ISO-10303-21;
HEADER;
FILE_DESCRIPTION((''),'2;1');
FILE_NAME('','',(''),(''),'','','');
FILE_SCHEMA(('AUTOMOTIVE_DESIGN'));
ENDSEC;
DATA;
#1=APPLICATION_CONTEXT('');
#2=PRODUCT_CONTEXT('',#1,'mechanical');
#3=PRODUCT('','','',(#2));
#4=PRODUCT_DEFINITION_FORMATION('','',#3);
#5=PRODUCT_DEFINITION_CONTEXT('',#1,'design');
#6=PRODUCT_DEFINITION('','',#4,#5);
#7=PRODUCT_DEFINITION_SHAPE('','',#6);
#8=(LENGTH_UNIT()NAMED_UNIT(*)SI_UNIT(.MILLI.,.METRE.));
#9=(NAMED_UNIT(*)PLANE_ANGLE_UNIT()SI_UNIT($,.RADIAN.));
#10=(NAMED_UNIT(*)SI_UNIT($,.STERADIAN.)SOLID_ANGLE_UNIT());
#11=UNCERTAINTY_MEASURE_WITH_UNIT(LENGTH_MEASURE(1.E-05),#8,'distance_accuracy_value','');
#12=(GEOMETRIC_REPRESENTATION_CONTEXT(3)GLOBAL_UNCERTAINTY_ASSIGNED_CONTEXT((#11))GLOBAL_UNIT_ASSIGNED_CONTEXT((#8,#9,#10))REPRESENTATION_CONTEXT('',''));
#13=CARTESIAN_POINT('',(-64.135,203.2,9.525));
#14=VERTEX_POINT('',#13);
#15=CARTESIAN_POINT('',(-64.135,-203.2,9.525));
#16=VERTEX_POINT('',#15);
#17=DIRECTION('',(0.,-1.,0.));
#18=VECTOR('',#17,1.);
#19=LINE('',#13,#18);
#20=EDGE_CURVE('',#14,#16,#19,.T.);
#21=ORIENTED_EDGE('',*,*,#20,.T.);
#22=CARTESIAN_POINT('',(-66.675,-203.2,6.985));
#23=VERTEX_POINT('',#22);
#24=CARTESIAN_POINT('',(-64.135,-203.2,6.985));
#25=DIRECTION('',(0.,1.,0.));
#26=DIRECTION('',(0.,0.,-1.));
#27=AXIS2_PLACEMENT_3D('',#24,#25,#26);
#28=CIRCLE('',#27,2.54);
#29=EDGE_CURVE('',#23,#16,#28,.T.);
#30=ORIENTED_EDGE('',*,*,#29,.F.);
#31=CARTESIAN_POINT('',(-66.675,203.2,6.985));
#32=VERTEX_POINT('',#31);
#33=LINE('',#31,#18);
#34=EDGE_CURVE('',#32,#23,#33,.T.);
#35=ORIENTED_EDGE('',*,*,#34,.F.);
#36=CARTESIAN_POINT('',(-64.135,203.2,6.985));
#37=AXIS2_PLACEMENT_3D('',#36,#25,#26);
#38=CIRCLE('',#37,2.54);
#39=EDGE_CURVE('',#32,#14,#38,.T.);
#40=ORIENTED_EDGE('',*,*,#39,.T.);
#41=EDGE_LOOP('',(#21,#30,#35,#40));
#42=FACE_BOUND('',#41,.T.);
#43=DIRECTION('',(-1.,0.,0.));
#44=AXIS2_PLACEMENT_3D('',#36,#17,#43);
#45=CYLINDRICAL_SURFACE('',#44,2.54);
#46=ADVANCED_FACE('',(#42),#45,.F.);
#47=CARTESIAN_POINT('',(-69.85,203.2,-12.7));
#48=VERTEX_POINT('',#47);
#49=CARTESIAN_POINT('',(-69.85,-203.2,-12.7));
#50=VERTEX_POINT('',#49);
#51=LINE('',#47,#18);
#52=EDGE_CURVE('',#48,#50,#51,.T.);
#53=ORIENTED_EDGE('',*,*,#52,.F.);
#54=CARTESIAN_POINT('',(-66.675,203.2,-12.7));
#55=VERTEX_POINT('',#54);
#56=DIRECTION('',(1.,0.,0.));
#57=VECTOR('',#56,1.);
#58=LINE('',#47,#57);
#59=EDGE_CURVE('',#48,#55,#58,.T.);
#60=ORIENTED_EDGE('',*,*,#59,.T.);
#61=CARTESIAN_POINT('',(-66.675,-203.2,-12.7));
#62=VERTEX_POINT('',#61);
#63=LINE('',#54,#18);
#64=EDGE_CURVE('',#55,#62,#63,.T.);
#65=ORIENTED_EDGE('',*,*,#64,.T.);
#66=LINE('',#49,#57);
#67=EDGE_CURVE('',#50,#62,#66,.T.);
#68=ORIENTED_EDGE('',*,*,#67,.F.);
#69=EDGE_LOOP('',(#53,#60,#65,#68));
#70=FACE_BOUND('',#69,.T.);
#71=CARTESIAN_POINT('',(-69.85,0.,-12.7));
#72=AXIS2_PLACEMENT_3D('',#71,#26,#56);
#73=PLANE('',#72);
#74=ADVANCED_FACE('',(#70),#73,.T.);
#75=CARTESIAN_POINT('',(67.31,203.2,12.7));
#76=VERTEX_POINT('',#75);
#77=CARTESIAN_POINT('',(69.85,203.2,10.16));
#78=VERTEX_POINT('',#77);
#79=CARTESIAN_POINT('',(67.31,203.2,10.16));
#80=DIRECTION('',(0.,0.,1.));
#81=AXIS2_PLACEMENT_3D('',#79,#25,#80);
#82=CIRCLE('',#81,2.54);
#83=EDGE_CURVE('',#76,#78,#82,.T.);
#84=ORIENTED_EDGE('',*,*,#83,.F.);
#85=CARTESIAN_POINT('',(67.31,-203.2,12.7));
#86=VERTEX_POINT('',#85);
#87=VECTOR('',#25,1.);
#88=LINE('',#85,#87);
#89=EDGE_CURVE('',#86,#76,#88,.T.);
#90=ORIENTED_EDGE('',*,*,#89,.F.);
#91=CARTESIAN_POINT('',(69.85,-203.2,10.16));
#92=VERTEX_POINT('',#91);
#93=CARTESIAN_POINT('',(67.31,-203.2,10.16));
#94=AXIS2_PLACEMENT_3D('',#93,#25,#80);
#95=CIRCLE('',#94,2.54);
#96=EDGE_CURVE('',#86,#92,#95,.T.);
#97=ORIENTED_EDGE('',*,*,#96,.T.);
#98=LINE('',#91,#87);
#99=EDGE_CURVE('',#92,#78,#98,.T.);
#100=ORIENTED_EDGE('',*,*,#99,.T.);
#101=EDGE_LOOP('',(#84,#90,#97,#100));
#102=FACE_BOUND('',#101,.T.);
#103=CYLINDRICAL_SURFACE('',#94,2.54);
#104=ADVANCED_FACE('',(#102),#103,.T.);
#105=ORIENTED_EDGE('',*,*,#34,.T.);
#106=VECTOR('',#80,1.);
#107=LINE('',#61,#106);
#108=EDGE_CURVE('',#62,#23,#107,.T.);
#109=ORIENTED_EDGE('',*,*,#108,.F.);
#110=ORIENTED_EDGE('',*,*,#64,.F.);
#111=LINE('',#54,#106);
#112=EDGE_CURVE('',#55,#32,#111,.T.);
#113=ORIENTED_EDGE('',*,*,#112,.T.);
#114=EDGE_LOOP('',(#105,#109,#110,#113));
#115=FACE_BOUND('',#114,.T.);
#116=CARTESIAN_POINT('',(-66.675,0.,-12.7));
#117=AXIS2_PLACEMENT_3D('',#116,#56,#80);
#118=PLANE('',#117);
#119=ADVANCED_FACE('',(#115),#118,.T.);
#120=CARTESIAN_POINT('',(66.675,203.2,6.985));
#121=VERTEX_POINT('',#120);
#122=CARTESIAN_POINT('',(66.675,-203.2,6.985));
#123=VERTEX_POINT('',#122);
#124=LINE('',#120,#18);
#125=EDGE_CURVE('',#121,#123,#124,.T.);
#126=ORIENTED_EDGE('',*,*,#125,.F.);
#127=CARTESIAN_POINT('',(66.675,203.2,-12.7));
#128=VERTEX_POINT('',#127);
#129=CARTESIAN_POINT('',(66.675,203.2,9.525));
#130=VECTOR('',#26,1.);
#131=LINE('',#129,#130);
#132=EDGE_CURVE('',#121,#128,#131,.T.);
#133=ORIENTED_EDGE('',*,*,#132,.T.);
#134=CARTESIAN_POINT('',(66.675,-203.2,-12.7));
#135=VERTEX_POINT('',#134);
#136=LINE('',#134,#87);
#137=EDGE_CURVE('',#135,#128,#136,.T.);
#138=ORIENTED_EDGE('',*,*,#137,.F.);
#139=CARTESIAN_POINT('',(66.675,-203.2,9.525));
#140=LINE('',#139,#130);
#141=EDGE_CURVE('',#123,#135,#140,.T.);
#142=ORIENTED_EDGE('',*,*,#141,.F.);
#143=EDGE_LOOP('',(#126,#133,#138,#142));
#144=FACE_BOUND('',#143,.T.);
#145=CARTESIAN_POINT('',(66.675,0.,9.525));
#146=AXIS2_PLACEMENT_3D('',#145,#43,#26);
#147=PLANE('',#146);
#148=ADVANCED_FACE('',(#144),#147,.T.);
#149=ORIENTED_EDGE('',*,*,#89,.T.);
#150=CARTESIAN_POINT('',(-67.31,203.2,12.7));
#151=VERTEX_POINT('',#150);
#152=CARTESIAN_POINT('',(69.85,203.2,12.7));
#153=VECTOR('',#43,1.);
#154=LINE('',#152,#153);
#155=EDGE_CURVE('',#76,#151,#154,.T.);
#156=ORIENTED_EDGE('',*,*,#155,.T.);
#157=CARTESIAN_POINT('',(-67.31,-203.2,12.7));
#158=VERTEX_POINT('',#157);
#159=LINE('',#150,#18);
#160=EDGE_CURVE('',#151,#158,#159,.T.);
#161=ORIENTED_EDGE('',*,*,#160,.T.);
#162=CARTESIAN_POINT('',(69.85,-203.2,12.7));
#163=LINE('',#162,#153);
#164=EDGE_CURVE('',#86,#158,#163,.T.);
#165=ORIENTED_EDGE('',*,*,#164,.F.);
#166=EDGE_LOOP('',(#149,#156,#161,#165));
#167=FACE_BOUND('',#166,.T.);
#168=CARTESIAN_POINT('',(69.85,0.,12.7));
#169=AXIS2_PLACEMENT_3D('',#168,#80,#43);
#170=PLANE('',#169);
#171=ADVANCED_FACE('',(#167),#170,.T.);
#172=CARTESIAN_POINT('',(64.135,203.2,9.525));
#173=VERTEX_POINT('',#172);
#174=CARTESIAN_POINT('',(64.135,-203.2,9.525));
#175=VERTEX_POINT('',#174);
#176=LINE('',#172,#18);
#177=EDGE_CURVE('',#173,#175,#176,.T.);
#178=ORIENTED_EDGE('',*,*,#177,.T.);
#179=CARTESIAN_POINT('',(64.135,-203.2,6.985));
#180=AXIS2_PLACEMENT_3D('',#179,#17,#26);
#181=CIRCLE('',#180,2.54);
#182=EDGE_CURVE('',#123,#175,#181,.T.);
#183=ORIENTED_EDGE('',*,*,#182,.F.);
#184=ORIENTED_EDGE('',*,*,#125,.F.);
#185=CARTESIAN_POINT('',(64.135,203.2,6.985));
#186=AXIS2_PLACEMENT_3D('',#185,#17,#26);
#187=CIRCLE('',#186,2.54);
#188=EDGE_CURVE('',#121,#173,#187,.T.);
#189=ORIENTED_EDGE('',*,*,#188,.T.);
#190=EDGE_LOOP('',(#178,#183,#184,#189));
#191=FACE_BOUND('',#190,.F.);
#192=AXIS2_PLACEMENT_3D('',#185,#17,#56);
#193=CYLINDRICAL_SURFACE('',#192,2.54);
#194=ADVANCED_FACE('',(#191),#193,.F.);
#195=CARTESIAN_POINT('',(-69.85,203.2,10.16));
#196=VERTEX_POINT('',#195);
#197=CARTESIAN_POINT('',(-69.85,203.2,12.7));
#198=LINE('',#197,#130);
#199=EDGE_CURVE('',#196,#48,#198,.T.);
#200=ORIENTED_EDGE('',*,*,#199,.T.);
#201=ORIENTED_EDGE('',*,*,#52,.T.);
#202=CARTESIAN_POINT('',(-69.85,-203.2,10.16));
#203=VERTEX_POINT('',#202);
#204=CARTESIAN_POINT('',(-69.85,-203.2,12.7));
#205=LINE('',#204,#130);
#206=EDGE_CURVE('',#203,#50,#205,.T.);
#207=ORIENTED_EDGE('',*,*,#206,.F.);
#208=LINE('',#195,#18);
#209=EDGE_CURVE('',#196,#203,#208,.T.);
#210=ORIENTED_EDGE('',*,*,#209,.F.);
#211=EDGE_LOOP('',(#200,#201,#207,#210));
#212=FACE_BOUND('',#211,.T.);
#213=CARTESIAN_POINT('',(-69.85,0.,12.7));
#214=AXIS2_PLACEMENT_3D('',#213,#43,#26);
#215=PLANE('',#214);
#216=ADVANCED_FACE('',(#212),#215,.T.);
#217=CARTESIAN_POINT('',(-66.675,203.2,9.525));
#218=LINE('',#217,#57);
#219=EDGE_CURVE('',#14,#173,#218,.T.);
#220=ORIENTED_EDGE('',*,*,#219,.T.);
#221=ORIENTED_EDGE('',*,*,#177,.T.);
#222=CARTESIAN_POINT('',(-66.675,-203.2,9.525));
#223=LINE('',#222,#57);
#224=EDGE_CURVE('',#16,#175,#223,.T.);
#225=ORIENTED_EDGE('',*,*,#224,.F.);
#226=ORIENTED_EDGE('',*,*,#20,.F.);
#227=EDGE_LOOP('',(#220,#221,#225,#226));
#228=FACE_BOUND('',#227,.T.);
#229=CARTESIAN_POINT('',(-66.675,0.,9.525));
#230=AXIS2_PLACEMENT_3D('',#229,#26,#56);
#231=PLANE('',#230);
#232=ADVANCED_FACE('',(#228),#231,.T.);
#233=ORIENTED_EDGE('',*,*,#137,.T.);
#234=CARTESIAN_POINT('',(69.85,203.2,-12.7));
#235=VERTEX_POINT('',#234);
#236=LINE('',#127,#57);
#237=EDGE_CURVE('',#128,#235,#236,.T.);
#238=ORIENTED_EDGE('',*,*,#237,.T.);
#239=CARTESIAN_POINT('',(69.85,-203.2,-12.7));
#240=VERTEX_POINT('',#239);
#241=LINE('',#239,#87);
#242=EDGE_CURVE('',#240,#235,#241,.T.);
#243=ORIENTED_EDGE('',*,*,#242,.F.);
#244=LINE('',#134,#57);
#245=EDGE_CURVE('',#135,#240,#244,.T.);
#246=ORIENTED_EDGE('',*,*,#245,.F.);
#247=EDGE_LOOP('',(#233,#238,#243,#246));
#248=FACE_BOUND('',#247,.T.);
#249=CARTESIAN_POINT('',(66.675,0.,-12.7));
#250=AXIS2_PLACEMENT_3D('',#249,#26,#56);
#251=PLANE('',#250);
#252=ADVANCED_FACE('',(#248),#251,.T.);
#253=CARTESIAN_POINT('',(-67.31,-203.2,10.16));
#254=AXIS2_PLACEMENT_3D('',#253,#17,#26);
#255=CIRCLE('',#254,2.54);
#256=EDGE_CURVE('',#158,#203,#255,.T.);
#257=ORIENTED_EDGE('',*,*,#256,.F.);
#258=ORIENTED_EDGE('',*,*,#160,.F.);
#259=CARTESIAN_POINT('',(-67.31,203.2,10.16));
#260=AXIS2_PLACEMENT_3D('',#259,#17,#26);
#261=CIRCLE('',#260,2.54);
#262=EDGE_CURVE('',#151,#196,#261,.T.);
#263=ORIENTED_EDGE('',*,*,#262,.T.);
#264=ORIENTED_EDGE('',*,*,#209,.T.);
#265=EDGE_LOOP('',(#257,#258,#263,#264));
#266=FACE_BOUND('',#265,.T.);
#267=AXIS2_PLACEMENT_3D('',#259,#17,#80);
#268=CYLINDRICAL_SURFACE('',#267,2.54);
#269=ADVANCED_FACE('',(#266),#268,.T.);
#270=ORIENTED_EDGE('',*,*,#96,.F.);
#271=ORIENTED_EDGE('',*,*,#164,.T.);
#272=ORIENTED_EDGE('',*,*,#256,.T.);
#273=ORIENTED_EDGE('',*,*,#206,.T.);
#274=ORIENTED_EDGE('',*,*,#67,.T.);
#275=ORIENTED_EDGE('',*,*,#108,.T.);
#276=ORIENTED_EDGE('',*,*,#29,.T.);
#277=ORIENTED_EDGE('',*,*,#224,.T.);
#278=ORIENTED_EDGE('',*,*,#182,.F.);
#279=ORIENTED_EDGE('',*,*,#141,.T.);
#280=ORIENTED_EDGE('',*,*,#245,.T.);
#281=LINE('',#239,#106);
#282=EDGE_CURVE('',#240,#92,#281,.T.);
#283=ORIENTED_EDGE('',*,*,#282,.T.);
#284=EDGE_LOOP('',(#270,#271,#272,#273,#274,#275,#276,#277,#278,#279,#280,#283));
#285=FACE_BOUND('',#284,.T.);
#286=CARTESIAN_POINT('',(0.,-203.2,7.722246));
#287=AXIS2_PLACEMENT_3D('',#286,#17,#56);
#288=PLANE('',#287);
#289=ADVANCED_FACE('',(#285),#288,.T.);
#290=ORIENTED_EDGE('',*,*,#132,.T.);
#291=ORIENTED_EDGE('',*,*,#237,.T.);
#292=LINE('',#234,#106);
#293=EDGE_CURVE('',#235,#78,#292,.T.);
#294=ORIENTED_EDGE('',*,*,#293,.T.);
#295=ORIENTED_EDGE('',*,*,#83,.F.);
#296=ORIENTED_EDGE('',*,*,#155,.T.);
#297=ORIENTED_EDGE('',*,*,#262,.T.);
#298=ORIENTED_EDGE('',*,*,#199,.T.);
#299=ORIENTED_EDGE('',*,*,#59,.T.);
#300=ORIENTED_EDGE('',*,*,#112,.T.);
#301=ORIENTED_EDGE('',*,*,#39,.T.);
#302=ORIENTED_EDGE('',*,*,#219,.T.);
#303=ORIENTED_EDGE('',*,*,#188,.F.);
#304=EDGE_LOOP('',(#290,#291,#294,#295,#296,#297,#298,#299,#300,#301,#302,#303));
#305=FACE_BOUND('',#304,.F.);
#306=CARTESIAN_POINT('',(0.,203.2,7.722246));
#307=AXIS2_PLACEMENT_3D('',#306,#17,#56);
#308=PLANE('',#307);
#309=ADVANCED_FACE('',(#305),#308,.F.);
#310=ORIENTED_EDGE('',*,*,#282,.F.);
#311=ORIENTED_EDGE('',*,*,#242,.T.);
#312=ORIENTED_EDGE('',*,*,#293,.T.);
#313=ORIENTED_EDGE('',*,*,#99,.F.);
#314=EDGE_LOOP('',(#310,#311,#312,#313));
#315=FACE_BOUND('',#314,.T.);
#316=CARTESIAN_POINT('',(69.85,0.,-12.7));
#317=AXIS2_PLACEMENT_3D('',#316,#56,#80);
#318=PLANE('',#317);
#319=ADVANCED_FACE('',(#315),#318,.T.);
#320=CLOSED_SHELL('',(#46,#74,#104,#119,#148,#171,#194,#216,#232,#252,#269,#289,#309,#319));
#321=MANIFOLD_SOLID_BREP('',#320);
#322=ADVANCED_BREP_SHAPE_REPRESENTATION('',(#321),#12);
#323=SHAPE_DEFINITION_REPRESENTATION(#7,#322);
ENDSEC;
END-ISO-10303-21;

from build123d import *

# Parameters (mm, degrees)
F1_DEPTH = 203.2
F2_R     = 2.54
F3_R     = 2.54


with BuildPart() as f1:
    # F0 (on Front) → F1 (new body, symmetric)
    with BuildSketch(Plane.XZ):
        Polygon((69.85, 12.7), (-69.85, 12.7), (-69.85, -12.7), (-66.675, -12.7), (-66.675, 9.525), (66.675, 9.525), (66.675, -12.7), (69.85, -12.7), align=None)
    extrude(amount=F1_DEPTH, both=True)

    # F2
    f2_edges = [f1.edges().sort_by_distance(p)[0] for p in [
        (-69.85, 0, 12.7),
        (69.85, 0, 12.7),
    ]]
    fillet(f2_edges, radius=F2_R)

    # F3
    f3_edges = [f1.edges().sort_by_distance(p)[0] for p in [
        (-66.675, 0, 9.525),
        (66.675, 0, 9.525),
    ]]
    fillet(f3_edges, radius=F3_R)


solid = f1.part
